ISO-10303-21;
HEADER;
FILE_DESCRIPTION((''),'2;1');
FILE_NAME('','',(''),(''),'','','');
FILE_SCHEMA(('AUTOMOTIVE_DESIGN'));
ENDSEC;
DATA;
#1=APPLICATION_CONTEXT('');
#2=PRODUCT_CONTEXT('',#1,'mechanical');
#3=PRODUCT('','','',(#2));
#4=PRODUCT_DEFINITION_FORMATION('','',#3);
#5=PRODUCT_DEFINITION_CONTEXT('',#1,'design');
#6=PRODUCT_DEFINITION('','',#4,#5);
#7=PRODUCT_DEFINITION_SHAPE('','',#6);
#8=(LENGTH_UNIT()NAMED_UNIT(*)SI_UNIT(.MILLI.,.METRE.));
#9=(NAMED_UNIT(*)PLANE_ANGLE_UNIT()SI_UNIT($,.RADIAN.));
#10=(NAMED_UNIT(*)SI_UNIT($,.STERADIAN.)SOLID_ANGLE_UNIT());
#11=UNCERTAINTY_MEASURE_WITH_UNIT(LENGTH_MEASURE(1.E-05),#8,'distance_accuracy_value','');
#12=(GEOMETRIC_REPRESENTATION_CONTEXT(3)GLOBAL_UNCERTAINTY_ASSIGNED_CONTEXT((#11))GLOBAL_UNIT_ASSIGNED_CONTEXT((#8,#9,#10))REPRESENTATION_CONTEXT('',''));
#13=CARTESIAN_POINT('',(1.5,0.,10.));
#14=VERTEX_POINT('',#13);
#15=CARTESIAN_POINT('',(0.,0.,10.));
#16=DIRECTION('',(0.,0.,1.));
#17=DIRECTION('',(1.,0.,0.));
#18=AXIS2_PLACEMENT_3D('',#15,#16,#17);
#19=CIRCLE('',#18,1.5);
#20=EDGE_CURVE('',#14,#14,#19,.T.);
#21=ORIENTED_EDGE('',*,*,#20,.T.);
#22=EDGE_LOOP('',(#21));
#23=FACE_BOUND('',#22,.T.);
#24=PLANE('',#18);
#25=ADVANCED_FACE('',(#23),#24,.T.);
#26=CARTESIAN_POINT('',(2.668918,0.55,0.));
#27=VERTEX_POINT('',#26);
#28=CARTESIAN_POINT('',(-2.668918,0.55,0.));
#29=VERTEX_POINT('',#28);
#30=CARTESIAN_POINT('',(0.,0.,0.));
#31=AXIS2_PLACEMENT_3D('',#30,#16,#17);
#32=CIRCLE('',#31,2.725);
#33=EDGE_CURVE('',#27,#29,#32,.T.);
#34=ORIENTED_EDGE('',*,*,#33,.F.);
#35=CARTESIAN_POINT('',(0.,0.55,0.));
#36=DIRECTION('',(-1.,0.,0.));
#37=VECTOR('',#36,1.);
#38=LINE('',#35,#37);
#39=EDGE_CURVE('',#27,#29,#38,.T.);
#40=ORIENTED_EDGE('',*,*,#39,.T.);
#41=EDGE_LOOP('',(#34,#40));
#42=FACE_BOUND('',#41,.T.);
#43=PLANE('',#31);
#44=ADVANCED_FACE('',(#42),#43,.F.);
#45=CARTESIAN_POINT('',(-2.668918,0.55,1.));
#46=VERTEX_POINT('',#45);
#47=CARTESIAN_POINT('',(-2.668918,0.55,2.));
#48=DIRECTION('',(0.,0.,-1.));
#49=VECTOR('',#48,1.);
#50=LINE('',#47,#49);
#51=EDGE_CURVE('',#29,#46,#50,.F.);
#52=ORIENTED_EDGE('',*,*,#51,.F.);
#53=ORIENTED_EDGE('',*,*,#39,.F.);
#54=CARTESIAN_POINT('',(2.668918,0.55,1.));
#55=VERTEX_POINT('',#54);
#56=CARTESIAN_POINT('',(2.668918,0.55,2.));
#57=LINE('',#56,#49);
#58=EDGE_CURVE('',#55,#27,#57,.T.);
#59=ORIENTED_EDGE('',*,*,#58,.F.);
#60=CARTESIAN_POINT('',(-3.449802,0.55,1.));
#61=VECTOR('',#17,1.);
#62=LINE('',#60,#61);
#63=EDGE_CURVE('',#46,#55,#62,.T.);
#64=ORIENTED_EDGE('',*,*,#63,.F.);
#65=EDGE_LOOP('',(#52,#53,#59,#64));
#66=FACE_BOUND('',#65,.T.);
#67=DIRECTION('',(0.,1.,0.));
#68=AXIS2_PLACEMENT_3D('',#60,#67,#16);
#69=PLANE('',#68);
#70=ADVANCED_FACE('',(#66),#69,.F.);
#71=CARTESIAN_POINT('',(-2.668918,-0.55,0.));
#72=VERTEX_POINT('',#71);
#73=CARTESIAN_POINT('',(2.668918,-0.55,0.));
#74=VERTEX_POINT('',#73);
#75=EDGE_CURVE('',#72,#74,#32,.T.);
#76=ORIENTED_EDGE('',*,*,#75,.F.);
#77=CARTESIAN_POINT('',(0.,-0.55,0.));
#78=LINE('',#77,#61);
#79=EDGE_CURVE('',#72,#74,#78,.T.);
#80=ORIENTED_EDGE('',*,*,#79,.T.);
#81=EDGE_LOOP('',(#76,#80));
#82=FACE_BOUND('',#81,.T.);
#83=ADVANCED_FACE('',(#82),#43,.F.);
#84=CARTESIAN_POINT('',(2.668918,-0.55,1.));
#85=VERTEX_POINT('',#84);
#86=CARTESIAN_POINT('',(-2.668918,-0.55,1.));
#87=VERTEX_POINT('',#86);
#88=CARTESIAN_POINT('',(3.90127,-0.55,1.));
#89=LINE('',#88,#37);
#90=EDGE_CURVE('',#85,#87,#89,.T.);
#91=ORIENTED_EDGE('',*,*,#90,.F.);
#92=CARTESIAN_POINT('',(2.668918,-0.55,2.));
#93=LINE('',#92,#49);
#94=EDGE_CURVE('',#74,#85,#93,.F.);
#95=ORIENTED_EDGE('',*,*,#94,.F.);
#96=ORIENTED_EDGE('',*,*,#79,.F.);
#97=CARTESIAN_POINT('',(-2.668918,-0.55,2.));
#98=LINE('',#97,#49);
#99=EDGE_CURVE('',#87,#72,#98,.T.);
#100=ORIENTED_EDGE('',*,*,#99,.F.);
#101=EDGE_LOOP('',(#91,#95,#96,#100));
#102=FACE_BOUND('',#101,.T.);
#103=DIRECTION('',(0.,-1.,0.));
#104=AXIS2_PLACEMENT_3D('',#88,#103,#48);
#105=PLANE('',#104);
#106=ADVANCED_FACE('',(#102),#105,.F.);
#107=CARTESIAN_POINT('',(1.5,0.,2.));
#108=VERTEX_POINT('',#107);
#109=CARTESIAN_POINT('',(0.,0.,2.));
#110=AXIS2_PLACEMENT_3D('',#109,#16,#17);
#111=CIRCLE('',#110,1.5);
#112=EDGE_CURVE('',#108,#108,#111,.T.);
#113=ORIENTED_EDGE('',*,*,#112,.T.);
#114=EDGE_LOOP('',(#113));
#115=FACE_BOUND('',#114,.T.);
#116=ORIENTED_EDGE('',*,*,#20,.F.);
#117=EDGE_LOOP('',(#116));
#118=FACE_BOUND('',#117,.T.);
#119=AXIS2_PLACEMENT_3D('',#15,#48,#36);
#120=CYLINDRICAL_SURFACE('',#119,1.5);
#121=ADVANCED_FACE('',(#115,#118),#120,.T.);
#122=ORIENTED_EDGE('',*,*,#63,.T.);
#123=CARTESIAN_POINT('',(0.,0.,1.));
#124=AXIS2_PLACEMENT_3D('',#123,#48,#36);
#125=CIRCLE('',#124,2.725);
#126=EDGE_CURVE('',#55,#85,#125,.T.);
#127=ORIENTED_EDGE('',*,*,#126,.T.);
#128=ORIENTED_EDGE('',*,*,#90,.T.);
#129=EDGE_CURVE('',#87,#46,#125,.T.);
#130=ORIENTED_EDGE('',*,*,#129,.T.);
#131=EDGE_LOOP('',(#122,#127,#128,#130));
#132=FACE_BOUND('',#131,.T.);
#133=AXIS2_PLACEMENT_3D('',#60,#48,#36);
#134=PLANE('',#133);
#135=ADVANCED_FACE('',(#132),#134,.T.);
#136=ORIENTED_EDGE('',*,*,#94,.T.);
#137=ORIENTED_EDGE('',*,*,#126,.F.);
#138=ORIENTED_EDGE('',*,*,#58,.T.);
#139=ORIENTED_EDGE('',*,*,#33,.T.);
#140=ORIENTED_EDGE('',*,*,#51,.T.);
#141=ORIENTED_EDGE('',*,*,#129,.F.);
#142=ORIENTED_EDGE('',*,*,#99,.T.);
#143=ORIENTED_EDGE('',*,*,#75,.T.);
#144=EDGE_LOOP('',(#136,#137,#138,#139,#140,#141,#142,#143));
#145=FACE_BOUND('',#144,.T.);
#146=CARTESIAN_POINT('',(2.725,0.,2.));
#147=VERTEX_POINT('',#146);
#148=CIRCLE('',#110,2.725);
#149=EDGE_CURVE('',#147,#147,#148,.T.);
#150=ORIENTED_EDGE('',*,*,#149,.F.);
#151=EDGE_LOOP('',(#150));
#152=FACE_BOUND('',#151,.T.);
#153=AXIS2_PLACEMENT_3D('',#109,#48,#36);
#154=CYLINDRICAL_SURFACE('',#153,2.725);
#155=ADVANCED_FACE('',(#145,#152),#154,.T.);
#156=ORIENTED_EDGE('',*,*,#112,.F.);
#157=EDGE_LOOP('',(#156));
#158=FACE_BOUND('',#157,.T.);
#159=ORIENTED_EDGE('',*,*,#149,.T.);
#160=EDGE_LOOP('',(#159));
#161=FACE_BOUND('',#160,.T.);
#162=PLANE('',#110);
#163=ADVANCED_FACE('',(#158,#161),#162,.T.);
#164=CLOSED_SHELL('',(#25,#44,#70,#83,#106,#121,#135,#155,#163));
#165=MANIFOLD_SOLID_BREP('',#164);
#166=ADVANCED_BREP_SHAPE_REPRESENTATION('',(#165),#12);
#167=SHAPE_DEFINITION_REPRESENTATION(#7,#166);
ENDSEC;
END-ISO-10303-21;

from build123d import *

# Parameters (mm, degrees)
SKETCH1_R          = 2.725
EXTRUDE1_DEPTH     = 2
CUT_EXTRUDE1_DEPTH = 1
SKETCH3_R          = 1.5
EXTRUDE2_DEPTH     = 8


with BuildPart() as part:
    # Sketch1 → Extrude1 (new body)
    with BuildSketch(Plane.XY):
        Circle(SKETCH1_R)
    extrude(amount=EXTRUDE1_DEPTH)

    # Sketch2 → Cut-Extrude1 (cut)
    with BuildSketch(Plane(origin=(0, 0, 0), x_dir=(-1, 0, 0), z_dir=(0, 0, -1))):
        Polygon((3.449801909, 0), (3.449801909, 0.55), (-3.901269584, 0.55), (-3.901269584, -0.55), (3.449801909, -0.55), align=None)
    extrude(amount=-CUT_EXTRUDE1_DEPTH, mode=Mode.SUBTRACT)

    # Sketch3 → Extrude2 (add)
    with BuildSketch(Plane.XY.offset(2)):
        Circle(SKETCH3_R)
    extrude(amount=EXTRUDE2_DEPTH)


solid = part.part
